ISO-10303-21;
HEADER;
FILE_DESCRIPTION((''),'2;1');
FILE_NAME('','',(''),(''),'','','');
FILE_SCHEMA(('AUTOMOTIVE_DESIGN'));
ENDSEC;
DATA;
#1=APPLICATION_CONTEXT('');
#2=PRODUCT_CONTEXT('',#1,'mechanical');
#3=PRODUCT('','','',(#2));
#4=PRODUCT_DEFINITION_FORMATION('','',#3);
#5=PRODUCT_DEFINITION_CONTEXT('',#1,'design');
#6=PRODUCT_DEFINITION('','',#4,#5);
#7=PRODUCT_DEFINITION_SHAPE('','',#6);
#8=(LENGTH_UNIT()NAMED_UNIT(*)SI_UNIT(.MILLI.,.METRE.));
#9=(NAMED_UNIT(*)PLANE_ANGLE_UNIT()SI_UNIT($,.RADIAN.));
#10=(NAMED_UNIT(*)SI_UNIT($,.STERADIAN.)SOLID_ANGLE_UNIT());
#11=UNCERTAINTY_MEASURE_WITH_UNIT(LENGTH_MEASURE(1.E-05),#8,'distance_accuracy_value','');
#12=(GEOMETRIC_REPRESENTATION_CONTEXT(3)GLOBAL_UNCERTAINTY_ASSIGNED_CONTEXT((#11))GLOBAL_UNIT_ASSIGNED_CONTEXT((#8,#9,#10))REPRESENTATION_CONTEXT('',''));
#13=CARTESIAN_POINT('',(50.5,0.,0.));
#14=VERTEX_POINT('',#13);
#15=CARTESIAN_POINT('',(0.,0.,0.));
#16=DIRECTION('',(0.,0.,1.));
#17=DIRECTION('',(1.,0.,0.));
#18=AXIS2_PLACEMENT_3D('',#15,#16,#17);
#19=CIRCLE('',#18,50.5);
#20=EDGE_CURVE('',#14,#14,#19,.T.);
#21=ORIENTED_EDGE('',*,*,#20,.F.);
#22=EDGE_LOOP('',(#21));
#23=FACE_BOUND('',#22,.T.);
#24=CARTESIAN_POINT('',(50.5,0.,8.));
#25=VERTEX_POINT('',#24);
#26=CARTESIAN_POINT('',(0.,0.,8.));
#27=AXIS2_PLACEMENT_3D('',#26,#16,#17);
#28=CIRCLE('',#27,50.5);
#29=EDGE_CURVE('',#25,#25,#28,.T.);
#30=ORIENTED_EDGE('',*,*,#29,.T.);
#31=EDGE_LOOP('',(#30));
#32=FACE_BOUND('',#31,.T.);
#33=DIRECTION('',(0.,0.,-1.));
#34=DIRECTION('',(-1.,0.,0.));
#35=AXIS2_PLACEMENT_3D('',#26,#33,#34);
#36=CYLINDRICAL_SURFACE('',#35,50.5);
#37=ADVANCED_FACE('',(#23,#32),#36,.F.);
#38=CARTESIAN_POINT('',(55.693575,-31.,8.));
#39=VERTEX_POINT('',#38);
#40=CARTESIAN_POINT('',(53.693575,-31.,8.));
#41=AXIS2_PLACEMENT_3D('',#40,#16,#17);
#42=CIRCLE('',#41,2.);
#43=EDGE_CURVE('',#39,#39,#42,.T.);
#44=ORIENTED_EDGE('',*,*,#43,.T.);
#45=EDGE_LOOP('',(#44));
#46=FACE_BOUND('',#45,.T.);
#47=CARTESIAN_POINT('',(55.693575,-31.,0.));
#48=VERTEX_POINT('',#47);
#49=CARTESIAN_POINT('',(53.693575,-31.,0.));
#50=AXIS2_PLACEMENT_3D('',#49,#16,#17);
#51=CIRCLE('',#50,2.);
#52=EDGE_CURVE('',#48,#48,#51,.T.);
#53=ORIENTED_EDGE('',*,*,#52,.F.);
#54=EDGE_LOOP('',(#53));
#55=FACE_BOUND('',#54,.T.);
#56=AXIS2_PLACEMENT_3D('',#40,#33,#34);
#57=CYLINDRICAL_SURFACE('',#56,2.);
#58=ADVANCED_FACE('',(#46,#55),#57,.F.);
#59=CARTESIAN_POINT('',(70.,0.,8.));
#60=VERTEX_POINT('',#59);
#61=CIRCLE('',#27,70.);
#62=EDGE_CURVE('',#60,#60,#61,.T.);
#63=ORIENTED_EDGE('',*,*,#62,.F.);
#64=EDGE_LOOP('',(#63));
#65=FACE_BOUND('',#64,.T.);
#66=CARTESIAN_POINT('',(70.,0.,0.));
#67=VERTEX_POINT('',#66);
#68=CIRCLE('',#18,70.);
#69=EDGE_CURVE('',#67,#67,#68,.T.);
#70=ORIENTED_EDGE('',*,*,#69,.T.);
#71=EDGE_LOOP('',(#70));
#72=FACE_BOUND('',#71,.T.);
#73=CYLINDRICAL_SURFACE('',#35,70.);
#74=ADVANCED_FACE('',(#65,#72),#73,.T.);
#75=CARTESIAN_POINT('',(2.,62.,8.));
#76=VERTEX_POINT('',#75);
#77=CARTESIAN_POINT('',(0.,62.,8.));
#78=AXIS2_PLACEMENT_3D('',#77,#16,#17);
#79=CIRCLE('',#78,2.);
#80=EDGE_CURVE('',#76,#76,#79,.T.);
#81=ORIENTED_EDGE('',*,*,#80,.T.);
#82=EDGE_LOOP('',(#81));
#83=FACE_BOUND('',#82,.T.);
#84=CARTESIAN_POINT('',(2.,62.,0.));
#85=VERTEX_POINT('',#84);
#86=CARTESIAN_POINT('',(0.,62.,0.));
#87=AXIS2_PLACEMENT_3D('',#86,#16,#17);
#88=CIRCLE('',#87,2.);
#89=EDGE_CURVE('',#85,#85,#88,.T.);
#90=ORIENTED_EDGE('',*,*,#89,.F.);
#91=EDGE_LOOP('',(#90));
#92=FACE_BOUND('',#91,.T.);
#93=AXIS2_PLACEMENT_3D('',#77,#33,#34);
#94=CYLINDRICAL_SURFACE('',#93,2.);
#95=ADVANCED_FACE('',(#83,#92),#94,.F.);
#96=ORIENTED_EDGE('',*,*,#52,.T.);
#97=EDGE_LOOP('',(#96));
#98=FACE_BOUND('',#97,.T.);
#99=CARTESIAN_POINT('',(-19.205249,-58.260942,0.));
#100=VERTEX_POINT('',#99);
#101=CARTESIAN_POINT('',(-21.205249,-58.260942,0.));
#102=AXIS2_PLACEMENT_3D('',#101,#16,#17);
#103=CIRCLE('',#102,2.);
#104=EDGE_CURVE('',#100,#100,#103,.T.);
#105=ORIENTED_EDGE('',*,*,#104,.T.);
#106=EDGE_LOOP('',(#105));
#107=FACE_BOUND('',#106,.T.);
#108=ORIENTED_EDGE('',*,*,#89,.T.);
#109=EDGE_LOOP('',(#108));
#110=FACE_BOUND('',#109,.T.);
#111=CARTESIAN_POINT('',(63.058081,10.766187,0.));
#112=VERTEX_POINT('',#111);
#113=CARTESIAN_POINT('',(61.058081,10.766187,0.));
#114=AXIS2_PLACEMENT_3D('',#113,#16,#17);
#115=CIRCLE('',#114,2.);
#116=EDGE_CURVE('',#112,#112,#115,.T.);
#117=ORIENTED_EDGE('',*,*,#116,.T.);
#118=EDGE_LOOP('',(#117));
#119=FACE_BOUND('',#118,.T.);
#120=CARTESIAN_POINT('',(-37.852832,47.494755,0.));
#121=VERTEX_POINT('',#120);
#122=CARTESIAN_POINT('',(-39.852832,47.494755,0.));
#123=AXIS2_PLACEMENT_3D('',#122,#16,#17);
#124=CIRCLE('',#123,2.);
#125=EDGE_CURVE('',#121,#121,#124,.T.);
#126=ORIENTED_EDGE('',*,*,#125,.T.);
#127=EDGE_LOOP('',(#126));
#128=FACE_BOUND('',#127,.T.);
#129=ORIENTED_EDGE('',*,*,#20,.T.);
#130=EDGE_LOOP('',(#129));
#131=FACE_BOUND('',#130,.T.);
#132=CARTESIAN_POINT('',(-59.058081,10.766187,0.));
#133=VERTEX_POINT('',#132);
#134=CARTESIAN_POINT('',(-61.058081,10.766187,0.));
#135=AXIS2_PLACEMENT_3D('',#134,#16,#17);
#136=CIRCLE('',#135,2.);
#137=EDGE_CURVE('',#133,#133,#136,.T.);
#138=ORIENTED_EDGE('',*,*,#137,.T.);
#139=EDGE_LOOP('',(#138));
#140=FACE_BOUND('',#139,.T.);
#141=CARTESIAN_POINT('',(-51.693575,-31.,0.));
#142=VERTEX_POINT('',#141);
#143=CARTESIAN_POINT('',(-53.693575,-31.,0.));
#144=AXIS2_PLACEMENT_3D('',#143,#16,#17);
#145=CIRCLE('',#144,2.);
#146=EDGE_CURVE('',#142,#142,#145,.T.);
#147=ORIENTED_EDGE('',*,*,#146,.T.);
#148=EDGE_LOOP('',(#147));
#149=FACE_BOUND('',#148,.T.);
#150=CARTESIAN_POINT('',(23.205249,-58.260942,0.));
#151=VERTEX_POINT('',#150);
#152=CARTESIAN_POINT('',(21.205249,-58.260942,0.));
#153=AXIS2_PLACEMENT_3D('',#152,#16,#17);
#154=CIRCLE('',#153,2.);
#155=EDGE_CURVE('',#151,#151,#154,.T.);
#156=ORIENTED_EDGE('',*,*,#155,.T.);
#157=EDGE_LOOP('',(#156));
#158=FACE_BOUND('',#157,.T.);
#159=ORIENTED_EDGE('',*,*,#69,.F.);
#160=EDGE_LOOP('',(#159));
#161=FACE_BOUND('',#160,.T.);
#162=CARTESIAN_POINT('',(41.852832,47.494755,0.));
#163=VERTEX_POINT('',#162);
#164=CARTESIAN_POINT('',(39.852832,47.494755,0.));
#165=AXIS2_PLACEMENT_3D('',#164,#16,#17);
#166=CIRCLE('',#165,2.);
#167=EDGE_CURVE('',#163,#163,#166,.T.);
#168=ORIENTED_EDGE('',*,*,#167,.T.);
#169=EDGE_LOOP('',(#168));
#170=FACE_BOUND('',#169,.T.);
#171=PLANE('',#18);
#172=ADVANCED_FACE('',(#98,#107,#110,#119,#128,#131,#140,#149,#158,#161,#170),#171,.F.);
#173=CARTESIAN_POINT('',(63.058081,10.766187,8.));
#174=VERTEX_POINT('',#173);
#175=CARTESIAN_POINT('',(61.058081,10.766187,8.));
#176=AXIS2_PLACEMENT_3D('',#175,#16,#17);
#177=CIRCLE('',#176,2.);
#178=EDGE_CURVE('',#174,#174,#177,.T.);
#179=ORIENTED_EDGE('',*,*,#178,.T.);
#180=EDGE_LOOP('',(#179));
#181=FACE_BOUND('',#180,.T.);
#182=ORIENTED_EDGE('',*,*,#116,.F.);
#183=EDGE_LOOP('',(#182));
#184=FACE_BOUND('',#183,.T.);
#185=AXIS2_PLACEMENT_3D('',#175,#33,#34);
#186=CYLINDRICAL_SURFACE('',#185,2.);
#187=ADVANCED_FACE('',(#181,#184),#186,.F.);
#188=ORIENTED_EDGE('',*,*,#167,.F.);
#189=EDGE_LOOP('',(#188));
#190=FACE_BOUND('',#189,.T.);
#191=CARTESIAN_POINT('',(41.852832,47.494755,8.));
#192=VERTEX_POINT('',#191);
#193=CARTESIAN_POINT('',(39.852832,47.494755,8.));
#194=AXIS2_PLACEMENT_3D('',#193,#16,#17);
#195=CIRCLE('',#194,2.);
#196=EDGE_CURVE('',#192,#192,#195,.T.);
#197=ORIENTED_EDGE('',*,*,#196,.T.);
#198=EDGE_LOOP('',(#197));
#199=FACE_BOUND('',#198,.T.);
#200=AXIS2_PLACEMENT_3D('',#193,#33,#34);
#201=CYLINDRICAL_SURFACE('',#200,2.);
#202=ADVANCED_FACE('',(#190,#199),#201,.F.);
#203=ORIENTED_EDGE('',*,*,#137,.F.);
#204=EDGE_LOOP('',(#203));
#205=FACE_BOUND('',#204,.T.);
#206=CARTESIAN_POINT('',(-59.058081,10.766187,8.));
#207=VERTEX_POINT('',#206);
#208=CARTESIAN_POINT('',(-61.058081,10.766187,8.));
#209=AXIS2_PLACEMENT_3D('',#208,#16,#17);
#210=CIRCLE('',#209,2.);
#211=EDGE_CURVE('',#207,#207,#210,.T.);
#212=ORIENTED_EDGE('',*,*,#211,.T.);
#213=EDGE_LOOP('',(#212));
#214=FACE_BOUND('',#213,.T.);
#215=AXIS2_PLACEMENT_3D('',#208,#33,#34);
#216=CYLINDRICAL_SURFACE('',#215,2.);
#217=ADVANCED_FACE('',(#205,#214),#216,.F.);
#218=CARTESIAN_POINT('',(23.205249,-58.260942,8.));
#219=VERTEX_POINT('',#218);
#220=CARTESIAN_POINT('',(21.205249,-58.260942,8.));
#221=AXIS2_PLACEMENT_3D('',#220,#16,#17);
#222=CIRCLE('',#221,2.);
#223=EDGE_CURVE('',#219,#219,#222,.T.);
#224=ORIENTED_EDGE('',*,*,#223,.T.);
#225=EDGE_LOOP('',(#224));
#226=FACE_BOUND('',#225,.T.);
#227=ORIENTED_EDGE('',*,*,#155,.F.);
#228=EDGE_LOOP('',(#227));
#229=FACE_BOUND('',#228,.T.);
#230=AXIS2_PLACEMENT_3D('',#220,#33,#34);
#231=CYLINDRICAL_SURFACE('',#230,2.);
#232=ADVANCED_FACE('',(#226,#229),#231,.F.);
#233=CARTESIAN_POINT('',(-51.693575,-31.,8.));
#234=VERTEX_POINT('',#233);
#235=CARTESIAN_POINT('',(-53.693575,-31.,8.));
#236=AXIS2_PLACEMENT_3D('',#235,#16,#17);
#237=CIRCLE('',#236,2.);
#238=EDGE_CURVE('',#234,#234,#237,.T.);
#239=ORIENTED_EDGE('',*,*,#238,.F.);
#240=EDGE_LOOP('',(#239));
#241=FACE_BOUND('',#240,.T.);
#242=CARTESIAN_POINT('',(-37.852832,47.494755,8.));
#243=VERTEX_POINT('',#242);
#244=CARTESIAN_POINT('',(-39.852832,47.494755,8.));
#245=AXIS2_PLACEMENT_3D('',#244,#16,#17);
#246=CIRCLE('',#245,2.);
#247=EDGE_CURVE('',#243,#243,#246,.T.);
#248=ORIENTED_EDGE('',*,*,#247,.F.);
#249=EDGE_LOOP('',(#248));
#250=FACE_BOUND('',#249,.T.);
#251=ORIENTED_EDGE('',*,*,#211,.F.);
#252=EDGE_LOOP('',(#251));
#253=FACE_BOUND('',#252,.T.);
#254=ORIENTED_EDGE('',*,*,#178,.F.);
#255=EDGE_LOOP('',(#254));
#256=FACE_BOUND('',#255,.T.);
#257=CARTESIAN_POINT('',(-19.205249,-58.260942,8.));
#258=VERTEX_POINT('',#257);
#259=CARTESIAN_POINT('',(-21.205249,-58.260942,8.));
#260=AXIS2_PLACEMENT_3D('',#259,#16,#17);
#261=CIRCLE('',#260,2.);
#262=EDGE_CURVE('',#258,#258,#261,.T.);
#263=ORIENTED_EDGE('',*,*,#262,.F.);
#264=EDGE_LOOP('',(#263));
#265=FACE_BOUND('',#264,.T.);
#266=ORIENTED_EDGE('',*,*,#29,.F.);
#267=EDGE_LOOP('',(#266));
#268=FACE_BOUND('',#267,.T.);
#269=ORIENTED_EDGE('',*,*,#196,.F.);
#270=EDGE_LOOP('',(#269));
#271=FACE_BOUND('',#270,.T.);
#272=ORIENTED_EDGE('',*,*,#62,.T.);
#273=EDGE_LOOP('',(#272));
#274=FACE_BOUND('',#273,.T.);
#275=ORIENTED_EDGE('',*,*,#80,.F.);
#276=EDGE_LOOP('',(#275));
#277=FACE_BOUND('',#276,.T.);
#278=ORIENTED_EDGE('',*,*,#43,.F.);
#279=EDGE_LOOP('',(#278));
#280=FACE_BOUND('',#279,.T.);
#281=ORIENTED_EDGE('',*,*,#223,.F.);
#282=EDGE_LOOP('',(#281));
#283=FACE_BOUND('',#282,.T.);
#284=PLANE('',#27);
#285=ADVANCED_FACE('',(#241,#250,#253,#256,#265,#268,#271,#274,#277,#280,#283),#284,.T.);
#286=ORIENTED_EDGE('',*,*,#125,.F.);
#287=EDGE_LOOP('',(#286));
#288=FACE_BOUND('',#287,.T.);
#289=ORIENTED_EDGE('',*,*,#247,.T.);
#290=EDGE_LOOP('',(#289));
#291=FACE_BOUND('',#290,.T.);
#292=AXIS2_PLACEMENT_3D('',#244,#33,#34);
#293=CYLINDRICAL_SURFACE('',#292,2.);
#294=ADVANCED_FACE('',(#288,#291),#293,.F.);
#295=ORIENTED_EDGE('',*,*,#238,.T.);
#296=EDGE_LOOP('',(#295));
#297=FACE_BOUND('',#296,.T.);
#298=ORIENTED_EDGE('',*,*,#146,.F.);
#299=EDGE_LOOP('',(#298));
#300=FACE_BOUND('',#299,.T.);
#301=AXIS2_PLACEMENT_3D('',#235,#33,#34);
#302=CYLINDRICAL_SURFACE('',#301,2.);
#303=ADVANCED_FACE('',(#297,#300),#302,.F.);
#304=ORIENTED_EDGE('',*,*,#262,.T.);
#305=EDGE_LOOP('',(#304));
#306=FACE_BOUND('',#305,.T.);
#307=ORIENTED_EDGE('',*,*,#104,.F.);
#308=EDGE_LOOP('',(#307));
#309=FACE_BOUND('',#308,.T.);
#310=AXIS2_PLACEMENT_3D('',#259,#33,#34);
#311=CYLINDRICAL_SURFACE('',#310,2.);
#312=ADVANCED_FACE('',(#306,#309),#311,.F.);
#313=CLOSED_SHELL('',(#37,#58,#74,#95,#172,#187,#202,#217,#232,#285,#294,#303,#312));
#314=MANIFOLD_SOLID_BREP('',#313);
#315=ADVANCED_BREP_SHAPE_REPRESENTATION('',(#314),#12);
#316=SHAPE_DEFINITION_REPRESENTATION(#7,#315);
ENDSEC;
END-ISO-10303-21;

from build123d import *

# Parameters (mm, degrees)
SKETCH_2_R      = 70
SKETCH_2_R_2    = 50.5
SKETCH_2_R_3    = 2
EXTRUDE_1_DEPTH = 8


with BuildPart() as part:
    # 草图2 → 凸台-拉伸1 (new body)
    with BuildSketch(Plane.XY):
        Circle(SKETCH_2_R)
        Circle(SKETCH_2_R_2, mode=Mode.SUBTRACT)
        with Locations((0, 62)):
            Circle(SKETCH_2_R_3, mode=Mode.SUBTRACT)
        with Locations((39.852831801, 47.494755473)):
            Circle(SKETCH_2_R_3, mode=Mode.SUBTRACT)
        with Locations((61.058080687, 10.766187015)):
            Circle(SKETCH_2_R_3, mode=Mode.SUBTRACT)
        with Locations((53.693575035, -31)):
            Circle(SKETCH_2_R_3, mode=Mode.SUBTRACT)
        with Locations((21.205248886, -58.260942489)):
            Circle(SKETCH_2_R_3, mode=Mode.SUBTRACT)
        with Locations((-21.205248886, -58.260942489)):
            Circle(SKETCH_2_R_3, mode=Mode.SUBTRACT)
        with Locations((-53.693575035, -31)):
            Circle(SKETCH_2_R_3, mode=Mode.SUBTRACT)
        with Locations((-61.058080687, 10.766187015)):
            Circle(SKETCH_2_R_3, mode=Mode.SUBTRACT)
        with Locations((-39.852831801, 47.494755473)):
            Circle(SKETCH_2_R_3, mode=Mode.SUBTRACT)
    extrude(amount=EXTRUDE_1_DEPTH)


solid = part.part
